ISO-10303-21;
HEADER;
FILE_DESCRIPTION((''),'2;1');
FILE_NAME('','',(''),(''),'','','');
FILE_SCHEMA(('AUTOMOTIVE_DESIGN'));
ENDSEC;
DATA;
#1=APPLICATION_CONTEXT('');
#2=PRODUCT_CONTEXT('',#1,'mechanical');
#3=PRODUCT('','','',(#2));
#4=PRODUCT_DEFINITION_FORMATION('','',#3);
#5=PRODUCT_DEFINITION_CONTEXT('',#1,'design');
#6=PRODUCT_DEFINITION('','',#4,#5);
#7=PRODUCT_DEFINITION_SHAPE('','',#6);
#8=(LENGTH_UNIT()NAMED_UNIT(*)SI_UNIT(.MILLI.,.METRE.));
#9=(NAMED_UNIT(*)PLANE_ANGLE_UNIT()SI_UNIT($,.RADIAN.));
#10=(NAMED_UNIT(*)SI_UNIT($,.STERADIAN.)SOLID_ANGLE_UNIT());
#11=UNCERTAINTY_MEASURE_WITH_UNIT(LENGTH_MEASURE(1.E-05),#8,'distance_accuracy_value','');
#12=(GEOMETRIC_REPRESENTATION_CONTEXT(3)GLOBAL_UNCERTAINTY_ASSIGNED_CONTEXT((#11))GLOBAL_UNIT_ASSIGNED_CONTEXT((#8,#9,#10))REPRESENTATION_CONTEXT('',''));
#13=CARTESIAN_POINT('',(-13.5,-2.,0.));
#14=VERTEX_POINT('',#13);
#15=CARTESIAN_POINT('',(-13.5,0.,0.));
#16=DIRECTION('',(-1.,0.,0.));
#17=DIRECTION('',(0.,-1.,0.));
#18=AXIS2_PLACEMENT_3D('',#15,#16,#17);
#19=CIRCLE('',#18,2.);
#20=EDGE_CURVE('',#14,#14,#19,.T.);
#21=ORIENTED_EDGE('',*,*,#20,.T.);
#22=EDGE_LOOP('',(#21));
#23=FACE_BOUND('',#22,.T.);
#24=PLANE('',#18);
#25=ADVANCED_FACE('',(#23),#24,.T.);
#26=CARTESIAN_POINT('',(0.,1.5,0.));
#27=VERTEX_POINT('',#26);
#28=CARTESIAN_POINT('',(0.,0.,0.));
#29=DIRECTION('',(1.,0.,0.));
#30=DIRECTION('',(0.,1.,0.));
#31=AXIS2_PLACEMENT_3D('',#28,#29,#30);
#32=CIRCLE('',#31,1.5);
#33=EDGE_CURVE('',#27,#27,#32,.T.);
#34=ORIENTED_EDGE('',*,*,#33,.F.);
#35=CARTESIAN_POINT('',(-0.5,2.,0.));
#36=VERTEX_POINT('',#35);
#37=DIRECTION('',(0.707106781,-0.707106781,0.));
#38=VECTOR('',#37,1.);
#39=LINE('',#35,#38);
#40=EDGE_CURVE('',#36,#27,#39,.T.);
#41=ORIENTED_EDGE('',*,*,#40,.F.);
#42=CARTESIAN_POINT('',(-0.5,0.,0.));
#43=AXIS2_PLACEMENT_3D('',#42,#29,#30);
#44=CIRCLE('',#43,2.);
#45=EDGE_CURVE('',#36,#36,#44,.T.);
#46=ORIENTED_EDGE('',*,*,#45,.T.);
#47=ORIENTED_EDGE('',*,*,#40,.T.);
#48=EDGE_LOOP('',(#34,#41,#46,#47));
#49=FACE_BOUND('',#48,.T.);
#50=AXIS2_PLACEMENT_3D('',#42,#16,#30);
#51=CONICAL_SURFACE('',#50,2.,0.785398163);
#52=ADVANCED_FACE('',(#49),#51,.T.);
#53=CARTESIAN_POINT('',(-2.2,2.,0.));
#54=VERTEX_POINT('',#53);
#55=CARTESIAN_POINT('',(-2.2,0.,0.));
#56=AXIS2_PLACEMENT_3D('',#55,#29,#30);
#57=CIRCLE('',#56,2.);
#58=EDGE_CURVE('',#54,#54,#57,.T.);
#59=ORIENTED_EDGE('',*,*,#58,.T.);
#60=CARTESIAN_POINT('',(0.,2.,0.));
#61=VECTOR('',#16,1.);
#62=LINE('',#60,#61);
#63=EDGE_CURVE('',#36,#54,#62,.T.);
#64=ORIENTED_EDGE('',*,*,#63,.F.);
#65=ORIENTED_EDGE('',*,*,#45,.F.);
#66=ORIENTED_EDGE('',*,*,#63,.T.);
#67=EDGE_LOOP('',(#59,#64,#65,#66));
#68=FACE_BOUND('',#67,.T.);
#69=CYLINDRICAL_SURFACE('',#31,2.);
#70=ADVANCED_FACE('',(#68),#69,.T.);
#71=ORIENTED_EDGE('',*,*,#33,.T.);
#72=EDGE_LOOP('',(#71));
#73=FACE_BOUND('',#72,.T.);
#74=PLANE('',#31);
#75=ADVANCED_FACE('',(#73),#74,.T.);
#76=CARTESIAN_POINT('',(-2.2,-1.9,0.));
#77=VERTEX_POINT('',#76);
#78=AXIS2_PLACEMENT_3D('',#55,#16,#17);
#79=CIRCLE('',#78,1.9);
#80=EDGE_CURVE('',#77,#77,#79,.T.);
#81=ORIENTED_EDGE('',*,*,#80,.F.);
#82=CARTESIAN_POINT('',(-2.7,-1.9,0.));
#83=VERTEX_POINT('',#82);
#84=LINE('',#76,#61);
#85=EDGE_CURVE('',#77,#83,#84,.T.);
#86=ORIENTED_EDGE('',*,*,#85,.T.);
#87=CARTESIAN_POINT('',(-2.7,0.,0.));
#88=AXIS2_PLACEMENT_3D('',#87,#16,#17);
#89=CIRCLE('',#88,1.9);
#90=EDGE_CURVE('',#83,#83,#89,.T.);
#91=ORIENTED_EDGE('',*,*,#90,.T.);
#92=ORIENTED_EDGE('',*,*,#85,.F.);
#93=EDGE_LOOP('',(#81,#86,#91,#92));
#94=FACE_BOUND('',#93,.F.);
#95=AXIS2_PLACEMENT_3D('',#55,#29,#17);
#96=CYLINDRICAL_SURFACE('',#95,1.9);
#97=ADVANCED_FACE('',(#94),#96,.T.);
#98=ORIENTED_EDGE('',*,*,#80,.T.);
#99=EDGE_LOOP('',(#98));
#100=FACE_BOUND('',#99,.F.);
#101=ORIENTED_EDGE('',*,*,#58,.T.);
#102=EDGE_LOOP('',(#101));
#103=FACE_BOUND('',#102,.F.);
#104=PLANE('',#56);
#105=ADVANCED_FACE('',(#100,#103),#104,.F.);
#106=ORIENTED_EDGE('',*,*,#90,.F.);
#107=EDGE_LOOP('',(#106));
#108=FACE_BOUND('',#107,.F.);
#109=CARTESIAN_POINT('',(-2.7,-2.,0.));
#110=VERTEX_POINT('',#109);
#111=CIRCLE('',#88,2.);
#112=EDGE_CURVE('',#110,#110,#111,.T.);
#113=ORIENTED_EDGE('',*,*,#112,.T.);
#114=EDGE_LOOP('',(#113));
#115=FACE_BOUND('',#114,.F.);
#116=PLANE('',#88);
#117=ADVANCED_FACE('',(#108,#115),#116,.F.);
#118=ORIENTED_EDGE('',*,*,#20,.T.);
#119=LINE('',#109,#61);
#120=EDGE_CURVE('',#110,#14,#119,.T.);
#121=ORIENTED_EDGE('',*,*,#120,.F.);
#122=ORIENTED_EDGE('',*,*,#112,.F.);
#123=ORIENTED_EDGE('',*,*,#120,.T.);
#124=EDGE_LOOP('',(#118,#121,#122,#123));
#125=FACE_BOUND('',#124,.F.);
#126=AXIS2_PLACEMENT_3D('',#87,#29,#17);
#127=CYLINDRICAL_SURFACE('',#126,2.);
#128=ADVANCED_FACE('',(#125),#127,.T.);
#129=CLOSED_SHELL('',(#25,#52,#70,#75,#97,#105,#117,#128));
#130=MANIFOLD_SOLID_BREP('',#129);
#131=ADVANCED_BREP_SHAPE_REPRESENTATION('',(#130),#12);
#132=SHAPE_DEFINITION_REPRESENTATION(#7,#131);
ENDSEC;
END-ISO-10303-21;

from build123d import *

# Parameters (mm, degrees)
F0_R     = 2
F1_DEPTH = 2.2
F2_R     = 1.9
F3_DEPTH = 0.5
F4_R     = 2
F5_DEPTH = 10.8
F6_SIZE  = 0.5


with BuildPart() as f1:
    # F0 (on Right) → F1 (new body)
    with BuildSketch(Plane.YZ):
        Circle(F0_R)
    extrude(amount=-F1_DEPTH)

    # F2 (on face) → F3 (join)
    with BuildSketch(Plane(origin=(-2.2, 0, 0), x_dir=(0, -1, 0), z_dir=(-1, 0, 0))):
        Circle(F2_R)
    extrude(amount=F3_DEPTH)

    # F4 (on face) → F5 (join)
    with BuildSketch(Plane(origin=(-2.7, 0, 0), x_dir=(0, -1, 0), z_dir=(-1, 0, 0))):
        Circle(F4_R)
    extrude(amount=F5_DEPTH)

    # F6
    f6_edges = [f1.edges().sort_by_distance(p)[0] for p in [
        (0, -2, 0),
    ]]
    chamfer(f6_edges, length=F6_SIZE)


solid = f1.part
